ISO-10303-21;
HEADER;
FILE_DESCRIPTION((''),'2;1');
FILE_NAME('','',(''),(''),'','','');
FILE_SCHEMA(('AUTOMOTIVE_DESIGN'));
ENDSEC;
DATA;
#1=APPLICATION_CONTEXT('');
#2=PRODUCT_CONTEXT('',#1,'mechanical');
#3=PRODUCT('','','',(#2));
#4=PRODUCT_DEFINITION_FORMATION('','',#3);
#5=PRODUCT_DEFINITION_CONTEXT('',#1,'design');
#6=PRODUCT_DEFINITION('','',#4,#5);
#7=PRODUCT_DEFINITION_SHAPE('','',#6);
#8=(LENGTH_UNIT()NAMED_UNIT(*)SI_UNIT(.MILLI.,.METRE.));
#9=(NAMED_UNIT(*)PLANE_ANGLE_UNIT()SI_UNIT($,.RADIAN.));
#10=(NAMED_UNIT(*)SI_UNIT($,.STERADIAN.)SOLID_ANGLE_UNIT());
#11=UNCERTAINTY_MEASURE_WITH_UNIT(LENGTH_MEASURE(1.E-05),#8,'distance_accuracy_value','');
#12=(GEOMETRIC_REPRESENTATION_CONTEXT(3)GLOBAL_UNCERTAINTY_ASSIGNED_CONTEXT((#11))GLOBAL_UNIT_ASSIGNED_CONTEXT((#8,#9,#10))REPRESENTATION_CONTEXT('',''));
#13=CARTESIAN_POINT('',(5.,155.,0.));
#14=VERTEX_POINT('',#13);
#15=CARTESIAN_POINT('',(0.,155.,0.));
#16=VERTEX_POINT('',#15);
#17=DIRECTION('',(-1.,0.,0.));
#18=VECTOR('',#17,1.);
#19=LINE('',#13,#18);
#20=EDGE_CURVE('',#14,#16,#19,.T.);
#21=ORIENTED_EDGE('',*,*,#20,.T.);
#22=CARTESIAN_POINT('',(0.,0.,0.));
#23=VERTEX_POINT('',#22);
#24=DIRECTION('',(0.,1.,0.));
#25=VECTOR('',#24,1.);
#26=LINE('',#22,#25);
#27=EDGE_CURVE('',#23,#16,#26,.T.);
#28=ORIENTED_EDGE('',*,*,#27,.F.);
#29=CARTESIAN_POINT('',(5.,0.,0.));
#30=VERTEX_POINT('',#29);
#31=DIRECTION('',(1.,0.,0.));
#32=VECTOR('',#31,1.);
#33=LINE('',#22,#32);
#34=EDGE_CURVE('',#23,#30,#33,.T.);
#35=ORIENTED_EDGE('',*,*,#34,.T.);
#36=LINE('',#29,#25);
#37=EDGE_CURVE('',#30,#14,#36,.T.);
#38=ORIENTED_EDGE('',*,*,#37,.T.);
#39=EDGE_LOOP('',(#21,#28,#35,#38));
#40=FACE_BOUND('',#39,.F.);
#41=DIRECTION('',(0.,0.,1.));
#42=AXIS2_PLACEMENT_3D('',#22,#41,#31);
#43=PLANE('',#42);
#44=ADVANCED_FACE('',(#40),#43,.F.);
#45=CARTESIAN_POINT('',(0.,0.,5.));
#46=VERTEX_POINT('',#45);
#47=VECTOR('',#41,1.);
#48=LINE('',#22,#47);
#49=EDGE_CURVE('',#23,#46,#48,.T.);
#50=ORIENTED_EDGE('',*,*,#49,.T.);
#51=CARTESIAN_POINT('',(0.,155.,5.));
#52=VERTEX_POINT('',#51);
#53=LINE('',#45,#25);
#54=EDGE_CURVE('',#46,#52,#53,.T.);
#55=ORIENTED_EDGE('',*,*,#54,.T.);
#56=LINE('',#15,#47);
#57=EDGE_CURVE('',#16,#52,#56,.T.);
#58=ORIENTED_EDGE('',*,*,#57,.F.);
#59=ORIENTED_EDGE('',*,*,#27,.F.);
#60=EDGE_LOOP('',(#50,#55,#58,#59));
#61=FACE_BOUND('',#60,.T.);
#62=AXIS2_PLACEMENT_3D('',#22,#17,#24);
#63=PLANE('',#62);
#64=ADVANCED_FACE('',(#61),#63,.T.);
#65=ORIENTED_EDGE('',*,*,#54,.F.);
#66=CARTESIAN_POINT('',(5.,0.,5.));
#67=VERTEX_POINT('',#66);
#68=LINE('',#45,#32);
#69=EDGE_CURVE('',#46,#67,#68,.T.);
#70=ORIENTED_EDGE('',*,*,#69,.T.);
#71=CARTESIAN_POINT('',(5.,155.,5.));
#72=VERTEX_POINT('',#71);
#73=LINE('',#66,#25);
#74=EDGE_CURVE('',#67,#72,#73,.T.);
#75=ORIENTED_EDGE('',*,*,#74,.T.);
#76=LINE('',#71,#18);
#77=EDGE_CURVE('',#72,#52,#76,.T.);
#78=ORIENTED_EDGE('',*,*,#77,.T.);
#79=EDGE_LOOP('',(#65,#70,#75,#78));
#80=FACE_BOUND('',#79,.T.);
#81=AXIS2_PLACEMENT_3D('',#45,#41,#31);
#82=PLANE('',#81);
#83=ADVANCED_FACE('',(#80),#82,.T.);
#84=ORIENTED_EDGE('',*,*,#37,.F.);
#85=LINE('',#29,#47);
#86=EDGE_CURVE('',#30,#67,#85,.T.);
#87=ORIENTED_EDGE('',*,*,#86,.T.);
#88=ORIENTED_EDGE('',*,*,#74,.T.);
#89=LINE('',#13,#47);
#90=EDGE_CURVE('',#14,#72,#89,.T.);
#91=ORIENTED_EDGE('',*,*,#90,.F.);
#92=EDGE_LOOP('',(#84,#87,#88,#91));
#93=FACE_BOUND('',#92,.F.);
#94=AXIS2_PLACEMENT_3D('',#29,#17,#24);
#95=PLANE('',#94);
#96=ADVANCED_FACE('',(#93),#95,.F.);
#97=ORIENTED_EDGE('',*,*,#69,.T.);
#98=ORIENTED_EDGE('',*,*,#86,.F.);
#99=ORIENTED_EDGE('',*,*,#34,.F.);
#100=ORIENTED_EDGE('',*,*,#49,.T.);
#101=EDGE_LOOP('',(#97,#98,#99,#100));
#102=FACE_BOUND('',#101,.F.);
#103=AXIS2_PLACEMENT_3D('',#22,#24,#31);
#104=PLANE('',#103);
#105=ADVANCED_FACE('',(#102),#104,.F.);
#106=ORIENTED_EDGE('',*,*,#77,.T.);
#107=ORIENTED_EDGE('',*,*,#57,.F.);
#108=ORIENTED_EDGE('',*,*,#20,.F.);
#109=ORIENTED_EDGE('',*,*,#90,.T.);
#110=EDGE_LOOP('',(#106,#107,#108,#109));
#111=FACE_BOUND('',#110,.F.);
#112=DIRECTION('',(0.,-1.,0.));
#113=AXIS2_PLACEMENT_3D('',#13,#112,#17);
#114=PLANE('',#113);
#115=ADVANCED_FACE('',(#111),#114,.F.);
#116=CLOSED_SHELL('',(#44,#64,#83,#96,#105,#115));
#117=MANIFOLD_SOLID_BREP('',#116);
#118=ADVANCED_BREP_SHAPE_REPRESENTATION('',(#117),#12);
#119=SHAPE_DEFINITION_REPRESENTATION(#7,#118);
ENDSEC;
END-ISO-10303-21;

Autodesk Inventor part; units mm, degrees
ref_plane "YZ Plane" through (0, 0, 0) normal (1, 0, 0) x (0, 1, 0)
ref_plane "XZ Plane" through (0, 0, 0) normal (0, 1, 0) x (-1, 0, 0)
ref_plane "XY Plane" through (0, 0, 0) normal (0, 0, 1) x (1, 0, 0)
sketch "Esquisse1" plane through (0, 0, 0) normal (0, 0, 1) x (1, 0, 0)
  line L0 (0, 0) -> (0, 155)
  line L1 (0, 0) -> (5, 0)
  line L2 (5, 0) -> (5, 155)
  line L3 (5, 155) -> (0, 155)
  dimension "d0" = 155
  dimension "d1" = 5
extrude "Extrusion1" add sketch "Esquisse1" along normal blind 5
properties part number "Barre"
